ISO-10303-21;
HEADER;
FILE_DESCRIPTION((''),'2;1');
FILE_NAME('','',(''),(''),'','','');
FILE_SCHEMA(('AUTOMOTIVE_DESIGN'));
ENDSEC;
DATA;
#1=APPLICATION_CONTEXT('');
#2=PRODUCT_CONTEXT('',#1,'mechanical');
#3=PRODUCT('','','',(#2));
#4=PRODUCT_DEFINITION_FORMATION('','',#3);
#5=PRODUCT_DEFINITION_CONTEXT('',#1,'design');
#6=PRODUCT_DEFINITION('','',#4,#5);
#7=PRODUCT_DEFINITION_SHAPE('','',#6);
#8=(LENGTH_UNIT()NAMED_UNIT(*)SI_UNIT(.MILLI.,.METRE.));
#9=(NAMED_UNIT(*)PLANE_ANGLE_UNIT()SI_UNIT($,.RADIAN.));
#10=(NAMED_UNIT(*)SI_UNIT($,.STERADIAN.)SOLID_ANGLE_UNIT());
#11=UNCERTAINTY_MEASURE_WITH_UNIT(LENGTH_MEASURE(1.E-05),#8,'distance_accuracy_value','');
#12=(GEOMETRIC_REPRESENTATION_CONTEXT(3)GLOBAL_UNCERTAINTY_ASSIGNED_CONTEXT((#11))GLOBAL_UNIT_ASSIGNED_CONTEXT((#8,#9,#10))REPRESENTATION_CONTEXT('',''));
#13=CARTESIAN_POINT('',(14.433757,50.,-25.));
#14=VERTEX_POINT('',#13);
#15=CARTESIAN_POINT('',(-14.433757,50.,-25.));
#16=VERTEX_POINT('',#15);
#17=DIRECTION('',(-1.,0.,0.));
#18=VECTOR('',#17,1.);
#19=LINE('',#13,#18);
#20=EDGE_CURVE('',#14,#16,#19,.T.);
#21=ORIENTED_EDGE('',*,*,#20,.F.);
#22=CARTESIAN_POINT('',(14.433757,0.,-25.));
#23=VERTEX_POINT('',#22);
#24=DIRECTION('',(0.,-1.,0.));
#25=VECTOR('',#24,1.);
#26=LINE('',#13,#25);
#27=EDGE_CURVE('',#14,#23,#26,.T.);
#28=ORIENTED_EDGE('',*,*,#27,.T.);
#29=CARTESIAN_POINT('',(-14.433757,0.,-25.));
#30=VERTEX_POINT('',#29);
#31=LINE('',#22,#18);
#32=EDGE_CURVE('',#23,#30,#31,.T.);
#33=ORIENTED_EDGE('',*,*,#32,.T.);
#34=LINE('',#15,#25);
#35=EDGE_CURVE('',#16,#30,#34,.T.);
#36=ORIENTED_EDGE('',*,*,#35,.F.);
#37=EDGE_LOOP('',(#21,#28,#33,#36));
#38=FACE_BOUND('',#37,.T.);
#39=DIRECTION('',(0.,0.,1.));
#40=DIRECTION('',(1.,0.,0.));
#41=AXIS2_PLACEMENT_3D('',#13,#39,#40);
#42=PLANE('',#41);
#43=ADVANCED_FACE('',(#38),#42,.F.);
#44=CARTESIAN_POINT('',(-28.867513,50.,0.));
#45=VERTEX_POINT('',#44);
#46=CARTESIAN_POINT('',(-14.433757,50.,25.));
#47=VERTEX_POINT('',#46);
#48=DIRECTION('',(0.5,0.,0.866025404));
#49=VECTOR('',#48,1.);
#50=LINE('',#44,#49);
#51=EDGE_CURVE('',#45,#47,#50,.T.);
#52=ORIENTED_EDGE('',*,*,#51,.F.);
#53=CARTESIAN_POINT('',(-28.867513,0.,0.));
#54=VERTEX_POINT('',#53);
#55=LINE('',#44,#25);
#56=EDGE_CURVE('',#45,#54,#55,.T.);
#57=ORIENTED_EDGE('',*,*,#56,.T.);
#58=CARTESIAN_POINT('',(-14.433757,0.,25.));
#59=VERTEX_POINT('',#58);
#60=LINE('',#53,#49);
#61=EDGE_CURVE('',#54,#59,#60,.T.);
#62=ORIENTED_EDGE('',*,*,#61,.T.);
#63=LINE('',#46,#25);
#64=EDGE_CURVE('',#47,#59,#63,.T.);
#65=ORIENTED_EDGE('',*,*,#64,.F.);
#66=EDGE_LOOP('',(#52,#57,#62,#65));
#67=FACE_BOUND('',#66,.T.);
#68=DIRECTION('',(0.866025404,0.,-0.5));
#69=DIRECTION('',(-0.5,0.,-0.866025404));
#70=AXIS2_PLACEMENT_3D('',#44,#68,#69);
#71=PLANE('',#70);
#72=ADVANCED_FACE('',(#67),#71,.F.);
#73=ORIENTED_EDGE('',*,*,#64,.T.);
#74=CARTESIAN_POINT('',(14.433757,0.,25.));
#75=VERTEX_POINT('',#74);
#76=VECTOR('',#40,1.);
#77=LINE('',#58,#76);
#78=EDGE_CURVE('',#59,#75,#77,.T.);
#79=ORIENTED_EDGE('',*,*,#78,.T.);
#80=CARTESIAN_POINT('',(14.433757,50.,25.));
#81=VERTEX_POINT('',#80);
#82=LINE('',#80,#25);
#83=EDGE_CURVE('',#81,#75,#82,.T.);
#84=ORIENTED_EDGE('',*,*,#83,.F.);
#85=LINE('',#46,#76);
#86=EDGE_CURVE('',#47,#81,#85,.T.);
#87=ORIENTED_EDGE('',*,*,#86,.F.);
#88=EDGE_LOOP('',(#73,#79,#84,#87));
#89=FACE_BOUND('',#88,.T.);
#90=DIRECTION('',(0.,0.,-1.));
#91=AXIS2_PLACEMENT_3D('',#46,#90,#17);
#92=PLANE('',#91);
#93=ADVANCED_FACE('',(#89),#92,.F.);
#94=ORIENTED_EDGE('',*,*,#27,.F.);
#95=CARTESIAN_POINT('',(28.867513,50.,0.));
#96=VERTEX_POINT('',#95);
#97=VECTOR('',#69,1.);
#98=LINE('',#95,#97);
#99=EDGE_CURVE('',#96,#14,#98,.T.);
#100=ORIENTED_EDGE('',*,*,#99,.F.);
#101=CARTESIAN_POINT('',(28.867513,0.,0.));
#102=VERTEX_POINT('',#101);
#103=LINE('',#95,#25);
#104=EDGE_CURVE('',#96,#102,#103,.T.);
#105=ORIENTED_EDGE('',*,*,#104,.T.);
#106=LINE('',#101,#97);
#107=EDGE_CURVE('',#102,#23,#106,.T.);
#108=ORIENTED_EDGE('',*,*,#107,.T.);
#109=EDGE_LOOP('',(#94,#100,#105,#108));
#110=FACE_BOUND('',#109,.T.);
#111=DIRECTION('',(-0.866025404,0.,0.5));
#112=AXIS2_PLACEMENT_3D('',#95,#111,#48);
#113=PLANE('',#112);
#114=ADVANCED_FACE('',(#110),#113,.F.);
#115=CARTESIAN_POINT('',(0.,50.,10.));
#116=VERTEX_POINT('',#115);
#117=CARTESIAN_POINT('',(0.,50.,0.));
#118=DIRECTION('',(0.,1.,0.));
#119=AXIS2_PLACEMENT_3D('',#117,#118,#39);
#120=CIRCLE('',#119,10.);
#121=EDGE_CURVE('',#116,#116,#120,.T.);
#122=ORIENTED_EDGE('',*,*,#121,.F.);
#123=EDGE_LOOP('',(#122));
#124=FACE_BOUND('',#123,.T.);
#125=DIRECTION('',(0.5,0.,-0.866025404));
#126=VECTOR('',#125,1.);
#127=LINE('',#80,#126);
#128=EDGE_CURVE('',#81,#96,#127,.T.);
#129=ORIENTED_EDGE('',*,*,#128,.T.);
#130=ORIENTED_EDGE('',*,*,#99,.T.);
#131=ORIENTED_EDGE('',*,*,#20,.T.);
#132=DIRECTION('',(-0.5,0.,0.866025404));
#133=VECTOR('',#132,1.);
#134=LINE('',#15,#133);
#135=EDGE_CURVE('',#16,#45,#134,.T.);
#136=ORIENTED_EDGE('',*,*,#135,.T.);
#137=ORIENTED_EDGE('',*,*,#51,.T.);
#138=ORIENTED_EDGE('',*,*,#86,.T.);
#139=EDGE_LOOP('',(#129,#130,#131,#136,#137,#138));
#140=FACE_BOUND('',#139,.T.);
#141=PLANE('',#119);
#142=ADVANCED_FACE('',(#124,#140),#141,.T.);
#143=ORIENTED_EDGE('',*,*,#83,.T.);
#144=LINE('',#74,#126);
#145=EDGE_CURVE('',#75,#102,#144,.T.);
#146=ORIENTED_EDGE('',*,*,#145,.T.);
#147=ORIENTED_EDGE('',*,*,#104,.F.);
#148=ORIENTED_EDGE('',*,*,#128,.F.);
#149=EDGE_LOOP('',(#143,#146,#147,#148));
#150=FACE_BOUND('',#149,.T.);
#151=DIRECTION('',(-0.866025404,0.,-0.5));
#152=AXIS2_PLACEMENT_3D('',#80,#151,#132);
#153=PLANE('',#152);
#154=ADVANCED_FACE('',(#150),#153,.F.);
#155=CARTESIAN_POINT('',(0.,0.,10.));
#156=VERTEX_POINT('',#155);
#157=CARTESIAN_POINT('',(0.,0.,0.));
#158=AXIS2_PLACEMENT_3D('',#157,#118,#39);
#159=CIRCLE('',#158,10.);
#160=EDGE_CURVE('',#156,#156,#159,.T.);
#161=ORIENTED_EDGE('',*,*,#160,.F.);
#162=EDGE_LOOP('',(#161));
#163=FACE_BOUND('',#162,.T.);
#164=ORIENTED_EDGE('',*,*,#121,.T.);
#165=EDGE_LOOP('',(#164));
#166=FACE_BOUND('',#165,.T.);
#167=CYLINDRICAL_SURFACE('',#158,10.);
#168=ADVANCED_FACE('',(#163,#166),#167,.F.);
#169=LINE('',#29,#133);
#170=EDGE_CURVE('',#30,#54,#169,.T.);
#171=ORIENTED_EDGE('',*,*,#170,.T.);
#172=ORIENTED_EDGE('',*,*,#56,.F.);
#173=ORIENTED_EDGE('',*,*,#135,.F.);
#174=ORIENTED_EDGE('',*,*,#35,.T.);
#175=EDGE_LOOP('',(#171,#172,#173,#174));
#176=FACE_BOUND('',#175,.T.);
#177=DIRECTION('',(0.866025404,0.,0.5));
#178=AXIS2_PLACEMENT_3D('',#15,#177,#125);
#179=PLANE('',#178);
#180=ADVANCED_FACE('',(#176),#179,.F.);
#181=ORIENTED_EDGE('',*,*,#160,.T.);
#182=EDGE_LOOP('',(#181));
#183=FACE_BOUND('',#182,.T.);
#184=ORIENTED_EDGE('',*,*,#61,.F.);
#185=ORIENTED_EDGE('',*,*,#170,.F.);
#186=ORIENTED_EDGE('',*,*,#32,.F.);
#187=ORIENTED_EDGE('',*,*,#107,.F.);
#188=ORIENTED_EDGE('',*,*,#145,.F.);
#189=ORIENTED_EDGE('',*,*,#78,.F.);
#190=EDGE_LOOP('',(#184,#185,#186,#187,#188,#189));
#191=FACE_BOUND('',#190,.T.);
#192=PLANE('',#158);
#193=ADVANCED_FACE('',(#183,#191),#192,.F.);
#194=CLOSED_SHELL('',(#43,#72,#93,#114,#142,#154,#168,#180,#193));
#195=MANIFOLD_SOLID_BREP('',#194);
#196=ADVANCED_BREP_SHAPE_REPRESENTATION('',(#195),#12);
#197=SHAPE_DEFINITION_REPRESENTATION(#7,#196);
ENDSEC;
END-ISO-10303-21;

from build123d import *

# Parameters (mm, degrees)
BOSS_EXTRUDE1_DEPTH     = 50
CUT_EXTRUDE1_DEPTH      = 63.915286961
CUT_EXTRUDE1_DEPTH_BACK = 63.915286961
SKETCH3_R               = 10


with BuildPart() as part:
    # Sketch1 → Boss-Extrude1 (new body)
    with BuildSketch(Plane(origin=(0, 0, 0), x_dir=(1, 0, 0), z_dir=(0, 1, 0))):
        Polygon((-14.43375673, 25), (-28.867513459, 0), (-14.43375673, -25), (14.43375673, -25), (28.867513459, 0), (14.43375673, 25), align=None)
    extrude(amount=BOSS_EXTRUDE1_DEPTH)

    # Sketch3 → Cut-Extrude1 (cut, two sides: drawn at the far end of the back side and taken through both)
    with BuildSketch(Plane(origin=(0, 50, 0), x_dir=(1, 0, 0), z_dir=(0, 1, 0)).offset(-CUT_EXTRUDE1_DEPTH_BACK)):
        with Locations(Location((0, 0, 0), (0, 0, 270))):
            Circle(SKETCH3_R)
    extrude(amount=CUT_EXTRUDE1_DEPTH + CUT_EXTRUDE1_DEPTH_BACK, mode=Mode.SUBTRACT)


solid = part.part
